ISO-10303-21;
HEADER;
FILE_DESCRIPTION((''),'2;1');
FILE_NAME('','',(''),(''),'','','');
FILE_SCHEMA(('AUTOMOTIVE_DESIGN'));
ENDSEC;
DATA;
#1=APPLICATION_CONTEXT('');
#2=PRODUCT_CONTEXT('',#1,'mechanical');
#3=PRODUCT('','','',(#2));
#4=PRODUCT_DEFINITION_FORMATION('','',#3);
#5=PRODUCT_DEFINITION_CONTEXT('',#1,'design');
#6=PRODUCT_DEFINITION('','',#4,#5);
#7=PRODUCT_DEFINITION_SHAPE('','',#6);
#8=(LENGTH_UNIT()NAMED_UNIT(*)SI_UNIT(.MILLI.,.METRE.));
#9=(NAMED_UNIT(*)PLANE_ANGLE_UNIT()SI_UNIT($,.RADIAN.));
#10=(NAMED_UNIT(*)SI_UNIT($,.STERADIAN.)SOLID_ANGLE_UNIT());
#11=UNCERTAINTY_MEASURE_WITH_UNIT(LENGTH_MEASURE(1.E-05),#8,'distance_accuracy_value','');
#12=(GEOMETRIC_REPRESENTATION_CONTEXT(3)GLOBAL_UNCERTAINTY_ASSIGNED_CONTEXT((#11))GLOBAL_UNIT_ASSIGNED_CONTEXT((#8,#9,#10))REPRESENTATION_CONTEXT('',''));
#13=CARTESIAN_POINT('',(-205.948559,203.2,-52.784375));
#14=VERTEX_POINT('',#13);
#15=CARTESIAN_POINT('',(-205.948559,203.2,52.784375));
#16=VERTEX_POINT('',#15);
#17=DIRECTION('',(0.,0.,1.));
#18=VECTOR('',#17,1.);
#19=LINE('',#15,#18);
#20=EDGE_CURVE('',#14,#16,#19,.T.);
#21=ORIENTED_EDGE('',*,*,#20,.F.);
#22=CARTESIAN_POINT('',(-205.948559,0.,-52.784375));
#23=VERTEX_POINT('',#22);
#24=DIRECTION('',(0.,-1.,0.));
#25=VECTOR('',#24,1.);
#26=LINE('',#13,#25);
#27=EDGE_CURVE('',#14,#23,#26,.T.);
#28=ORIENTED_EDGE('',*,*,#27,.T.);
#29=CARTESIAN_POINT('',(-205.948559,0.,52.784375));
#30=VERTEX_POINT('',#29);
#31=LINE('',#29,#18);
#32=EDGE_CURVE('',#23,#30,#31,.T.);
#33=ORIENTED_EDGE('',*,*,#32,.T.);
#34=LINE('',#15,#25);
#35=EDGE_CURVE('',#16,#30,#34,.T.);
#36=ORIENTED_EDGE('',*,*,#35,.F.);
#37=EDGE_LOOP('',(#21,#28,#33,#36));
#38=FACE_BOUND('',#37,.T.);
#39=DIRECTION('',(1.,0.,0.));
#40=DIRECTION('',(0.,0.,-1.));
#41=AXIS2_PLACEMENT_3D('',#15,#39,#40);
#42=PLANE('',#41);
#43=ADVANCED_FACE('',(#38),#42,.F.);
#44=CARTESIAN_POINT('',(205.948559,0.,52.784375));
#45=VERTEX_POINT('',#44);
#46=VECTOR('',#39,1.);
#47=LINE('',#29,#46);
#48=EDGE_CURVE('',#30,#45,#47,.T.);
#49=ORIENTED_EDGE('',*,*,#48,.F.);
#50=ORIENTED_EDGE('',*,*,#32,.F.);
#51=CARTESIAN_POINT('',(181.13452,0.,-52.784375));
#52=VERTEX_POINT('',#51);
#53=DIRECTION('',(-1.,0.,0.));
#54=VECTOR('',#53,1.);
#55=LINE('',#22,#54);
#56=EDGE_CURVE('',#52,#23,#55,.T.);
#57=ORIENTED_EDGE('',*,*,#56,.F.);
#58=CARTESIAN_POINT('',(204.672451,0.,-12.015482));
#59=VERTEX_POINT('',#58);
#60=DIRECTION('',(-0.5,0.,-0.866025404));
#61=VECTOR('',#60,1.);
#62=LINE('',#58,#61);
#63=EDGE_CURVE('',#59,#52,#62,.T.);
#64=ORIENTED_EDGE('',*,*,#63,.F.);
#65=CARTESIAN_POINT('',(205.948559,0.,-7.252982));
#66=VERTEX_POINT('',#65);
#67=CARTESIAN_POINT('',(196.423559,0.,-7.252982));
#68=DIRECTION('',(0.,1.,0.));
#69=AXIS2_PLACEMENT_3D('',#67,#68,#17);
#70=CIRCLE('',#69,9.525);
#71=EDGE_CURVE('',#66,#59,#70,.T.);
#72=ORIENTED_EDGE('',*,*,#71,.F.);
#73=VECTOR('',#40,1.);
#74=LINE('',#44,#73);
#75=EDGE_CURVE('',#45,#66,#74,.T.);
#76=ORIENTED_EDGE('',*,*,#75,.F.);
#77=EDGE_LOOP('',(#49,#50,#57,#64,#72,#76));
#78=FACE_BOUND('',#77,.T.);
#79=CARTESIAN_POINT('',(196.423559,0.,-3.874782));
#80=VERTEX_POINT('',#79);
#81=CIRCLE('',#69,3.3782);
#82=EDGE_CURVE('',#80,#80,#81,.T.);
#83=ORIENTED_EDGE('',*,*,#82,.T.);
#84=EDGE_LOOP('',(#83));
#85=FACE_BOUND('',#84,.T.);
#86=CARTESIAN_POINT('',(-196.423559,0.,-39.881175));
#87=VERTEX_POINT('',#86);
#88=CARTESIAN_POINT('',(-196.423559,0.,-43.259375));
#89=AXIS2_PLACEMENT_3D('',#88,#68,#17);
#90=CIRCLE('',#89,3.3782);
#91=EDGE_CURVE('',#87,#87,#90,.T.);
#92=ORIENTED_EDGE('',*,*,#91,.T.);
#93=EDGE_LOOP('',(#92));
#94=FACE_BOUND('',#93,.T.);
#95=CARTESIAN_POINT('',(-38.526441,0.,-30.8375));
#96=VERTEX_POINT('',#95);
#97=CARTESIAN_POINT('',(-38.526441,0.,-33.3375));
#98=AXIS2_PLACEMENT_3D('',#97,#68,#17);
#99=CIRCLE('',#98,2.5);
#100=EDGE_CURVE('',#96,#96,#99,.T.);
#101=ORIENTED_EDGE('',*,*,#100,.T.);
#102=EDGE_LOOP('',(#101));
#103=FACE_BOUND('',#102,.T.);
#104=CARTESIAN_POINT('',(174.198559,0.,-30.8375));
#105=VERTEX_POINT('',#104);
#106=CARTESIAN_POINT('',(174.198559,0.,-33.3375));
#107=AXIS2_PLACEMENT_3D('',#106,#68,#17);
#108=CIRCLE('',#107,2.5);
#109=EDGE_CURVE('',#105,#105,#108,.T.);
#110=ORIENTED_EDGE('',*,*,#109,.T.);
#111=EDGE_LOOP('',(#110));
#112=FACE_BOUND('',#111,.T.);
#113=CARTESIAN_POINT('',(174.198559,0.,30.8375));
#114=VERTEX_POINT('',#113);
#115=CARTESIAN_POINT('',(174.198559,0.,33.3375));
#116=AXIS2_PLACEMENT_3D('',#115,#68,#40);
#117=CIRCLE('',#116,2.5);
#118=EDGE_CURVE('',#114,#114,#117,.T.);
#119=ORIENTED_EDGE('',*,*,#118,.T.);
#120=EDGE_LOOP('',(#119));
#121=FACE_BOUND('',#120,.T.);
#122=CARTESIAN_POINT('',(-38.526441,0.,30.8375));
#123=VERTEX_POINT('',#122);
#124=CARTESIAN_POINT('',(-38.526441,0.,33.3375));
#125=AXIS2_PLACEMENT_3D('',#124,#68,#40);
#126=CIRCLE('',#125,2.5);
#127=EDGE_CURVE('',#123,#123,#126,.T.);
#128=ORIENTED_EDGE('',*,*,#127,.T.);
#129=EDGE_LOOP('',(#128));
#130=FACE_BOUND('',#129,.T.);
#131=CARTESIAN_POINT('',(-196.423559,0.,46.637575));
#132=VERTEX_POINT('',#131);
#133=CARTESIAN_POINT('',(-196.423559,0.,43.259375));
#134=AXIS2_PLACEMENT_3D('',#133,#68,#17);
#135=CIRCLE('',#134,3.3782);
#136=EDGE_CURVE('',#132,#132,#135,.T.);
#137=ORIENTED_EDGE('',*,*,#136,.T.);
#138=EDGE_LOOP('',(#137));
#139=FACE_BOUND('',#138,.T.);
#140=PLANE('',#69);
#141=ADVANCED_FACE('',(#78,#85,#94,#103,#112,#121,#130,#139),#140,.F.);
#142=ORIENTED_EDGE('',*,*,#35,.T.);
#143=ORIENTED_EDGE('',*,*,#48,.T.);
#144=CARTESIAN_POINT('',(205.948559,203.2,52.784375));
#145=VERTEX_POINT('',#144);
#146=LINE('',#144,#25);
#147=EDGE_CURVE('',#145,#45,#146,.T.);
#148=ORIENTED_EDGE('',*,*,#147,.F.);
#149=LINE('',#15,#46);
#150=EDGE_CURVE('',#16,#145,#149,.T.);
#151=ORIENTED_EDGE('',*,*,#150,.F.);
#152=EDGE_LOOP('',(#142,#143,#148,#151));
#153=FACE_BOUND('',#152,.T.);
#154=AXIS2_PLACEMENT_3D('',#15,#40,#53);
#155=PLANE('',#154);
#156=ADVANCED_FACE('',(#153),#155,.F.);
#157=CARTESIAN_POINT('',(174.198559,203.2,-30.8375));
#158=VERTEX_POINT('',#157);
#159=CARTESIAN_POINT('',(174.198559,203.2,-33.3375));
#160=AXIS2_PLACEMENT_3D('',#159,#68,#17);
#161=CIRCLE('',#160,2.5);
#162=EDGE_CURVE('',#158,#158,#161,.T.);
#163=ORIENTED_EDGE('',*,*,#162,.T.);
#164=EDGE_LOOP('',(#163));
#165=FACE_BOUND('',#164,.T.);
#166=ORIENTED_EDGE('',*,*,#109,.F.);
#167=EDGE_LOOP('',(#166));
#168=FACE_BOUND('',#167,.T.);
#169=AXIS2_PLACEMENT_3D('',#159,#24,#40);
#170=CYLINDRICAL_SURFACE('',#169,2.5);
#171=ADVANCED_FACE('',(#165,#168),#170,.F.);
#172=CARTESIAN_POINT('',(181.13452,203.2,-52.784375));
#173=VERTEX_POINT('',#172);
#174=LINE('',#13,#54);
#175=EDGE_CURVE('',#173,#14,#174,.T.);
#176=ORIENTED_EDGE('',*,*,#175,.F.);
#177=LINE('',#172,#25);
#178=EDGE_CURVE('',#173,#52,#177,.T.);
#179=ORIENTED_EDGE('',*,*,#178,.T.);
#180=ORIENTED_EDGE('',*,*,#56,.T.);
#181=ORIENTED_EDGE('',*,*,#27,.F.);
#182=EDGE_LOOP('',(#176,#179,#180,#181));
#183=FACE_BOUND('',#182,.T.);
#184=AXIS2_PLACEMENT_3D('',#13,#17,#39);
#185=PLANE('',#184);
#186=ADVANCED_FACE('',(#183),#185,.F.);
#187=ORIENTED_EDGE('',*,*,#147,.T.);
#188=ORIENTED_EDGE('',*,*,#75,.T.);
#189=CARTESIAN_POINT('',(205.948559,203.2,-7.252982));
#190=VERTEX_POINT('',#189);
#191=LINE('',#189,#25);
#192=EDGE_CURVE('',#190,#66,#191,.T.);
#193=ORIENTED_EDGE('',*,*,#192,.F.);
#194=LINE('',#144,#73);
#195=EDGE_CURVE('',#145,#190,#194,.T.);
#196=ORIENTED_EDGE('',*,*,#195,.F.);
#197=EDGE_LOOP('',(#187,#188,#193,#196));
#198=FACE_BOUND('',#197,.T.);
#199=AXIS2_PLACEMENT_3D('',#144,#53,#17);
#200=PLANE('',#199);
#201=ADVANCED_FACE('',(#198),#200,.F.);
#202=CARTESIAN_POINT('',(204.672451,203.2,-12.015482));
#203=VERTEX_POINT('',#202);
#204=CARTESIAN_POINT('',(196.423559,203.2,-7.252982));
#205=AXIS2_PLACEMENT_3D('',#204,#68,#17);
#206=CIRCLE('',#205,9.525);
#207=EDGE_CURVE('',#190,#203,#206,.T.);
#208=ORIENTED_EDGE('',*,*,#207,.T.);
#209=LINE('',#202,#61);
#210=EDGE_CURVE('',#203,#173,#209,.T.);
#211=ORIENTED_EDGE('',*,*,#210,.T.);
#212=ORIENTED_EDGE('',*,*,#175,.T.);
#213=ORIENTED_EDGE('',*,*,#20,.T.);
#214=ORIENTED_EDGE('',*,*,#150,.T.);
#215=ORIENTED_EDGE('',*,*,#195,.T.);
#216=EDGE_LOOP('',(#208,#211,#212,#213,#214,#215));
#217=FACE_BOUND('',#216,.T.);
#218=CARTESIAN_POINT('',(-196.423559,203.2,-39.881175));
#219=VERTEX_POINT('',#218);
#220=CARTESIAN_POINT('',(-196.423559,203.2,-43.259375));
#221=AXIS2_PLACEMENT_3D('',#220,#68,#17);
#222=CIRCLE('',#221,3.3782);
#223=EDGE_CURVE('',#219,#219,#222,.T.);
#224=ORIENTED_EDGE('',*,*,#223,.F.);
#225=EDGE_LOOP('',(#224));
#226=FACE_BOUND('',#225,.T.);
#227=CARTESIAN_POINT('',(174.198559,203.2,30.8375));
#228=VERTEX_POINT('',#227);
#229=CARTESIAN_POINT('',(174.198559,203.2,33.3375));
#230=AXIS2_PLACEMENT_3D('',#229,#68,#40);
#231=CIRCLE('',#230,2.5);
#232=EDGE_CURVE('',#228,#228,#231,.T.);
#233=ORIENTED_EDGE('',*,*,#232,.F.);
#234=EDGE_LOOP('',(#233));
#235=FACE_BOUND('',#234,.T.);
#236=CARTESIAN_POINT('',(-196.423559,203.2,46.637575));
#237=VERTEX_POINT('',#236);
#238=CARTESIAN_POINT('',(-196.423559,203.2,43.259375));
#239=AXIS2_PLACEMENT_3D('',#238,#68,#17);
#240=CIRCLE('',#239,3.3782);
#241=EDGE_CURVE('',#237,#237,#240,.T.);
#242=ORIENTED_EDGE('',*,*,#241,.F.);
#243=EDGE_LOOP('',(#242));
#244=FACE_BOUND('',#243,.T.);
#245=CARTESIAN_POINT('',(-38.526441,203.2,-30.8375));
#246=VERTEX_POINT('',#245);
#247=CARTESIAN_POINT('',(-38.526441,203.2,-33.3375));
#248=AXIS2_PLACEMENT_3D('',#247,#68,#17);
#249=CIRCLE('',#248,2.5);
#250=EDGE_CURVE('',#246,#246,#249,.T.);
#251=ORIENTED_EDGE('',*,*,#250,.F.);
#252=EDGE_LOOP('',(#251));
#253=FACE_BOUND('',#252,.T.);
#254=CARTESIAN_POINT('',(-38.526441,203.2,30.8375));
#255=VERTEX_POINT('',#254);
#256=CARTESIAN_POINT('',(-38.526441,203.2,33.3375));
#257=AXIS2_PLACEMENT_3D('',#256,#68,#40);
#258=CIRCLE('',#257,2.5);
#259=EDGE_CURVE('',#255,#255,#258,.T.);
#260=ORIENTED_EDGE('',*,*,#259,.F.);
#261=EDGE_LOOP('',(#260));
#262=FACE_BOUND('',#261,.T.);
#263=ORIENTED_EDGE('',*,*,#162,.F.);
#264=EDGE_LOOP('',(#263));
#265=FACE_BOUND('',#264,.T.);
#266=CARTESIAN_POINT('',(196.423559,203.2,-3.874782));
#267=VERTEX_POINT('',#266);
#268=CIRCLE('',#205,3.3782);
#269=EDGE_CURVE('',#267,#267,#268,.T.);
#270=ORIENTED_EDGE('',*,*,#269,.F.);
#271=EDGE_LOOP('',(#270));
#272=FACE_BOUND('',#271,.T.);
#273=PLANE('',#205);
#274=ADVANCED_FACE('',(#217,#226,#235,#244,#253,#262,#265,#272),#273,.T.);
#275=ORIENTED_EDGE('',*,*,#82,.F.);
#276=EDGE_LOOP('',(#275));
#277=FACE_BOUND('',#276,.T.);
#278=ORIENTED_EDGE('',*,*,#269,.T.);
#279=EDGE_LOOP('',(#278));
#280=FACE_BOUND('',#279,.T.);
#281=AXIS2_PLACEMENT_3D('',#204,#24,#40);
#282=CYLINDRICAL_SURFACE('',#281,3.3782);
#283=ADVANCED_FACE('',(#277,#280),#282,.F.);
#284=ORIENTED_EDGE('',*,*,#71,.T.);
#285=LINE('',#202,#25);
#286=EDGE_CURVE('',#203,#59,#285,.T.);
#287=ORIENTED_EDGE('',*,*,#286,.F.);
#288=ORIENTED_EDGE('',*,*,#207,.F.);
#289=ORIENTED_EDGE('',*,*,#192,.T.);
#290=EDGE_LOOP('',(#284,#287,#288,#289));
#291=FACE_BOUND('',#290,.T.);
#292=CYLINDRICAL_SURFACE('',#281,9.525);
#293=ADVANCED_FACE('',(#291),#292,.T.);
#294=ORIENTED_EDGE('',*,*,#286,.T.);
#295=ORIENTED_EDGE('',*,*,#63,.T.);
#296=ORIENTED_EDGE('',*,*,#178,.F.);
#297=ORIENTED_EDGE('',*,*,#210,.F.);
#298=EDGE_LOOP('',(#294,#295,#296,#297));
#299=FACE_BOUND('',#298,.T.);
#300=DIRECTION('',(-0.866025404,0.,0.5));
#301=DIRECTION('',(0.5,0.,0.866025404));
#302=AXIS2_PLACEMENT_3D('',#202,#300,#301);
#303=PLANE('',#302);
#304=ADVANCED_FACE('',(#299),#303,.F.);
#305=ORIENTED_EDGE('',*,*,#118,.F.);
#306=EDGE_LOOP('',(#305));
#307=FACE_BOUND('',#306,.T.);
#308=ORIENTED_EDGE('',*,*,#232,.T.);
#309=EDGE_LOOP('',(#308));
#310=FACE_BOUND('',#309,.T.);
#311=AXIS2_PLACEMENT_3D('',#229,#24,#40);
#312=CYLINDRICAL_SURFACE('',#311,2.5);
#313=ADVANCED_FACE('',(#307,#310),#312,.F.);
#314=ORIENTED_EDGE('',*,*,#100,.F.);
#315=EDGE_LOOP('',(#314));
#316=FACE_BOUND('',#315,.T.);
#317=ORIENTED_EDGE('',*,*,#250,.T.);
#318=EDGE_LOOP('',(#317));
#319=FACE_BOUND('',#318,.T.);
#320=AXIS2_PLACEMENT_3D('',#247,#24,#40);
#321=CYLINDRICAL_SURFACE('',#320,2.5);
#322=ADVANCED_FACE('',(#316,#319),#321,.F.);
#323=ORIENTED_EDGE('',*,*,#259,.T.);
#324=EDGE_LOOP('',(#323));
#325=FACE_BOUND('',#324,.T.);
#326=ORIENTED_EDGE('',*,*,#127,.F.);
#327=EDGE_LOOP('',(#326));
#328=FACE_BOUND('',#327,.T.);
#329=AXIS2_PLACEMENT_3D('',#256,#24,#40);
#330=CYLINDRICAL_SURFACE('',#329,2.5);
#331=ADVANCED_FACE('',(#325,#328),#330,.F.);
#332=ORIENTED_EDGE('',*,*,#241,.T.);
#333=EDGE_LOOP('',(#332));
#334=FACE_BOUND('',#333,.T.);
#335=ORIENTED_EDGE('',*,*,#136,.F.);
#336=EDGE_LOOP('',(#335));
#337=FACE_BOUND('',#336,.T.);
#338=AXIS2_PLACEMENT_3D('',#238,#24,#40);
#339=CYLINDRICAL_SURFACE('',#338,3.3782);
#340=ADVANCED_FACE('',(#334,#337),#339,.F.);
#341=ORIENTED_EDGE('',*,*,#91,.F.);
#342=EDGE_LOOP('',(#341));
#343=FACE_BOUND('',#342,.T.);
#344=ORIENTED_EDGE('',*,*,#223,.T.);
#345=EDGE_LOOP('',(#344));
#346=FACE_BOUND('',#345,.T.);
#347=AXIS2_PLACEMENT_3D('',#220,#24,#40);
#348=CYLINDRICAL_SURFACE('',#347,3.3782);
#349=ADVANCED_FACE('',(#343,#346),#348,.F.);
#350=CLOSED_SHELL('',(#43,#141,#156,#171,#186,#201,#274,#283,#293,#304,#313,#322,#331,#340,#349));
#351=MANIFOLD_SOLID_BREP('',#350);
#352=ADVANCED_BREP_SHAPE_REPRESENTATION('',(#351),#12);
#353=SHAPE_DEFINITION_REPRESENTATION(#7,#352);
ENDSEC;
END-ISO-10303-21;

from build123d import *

# Parameters (mm, degrees)
SKETCH1_R           = 3.3782
SKETCH1_R_2         = 2.5
BOSS_EXTRUDE1_DEPTH = 203.2


with BuildPart() as part:
    # Sketch1 → Boss-Extrude1 (new body)
    with BuildSketch(Plane(origin=(0, 0, 0), x_dir=(1, 0, 0), z_dir=(0, 1, 0))):
        with BuildLine():
            Line((-205.948559195, -52.784375), (205.948559195, -52.784375))
            Line((205.948559195, -52.784375), (205.948559195, 7.252981651))
            ThreePointArc((205.948559195, 7.252981651), (205.62400269, 9.718233056), (204.672451166, 12.015481651))
            Line((204.672451166, 12.015481651), (181.134519617, 52.784375))
            Line((181.134519617, 52.784375), (-205.948559195, 52.784375))
            Line((-205.948559195, 52.784375), (-205.948559195, -52.784375))
        make_face()
        with Locations(Location((-196.423559195, 43.259375, 0), (0, 0, 270))):
            Circle(SKETCH1_R, mode=Mode.SUBTRACT)
        with Locations(Location((-196.423559195, -43.259375, 0), (0, 0, 270))):
            Circle(SKETCH1_R, mode=Mode.SUBTRACT)
        with Locations(Location((196.423559195, 7.252981651, 0), (0, 0, 270))):
            Circle(SKETCH1_R, mode=Mode.SUBTRACT)
        with Locations(Location((174.198559195, 33.3375, 0), (0, 0, 270))):
            Circle(SKETCH1_R_2, mode=Mode.SUBTRACT)
        with Locations(Location((-38.526440805, 33.3375, 0), (0, 0, 270))):
            Circle(SKETCH1_R_2, mode=Mode.SUBTRACT)
        with Locations(Location((-38.526440805, -33.3375, 0), (0, 0, 90))):
            Circle(SKETCH1_R_2, mode=Mode.SUBTRACT)
        with Locations(Location((174.198559195, -33.3375, 0), (0, 0, 90))):
            Circle(SKETCH1_R_2, mode=Mode.SUBTRACT)
    extrude(amount=BOSS_EXTRUDE1_DEPTH)


solid = part.part
